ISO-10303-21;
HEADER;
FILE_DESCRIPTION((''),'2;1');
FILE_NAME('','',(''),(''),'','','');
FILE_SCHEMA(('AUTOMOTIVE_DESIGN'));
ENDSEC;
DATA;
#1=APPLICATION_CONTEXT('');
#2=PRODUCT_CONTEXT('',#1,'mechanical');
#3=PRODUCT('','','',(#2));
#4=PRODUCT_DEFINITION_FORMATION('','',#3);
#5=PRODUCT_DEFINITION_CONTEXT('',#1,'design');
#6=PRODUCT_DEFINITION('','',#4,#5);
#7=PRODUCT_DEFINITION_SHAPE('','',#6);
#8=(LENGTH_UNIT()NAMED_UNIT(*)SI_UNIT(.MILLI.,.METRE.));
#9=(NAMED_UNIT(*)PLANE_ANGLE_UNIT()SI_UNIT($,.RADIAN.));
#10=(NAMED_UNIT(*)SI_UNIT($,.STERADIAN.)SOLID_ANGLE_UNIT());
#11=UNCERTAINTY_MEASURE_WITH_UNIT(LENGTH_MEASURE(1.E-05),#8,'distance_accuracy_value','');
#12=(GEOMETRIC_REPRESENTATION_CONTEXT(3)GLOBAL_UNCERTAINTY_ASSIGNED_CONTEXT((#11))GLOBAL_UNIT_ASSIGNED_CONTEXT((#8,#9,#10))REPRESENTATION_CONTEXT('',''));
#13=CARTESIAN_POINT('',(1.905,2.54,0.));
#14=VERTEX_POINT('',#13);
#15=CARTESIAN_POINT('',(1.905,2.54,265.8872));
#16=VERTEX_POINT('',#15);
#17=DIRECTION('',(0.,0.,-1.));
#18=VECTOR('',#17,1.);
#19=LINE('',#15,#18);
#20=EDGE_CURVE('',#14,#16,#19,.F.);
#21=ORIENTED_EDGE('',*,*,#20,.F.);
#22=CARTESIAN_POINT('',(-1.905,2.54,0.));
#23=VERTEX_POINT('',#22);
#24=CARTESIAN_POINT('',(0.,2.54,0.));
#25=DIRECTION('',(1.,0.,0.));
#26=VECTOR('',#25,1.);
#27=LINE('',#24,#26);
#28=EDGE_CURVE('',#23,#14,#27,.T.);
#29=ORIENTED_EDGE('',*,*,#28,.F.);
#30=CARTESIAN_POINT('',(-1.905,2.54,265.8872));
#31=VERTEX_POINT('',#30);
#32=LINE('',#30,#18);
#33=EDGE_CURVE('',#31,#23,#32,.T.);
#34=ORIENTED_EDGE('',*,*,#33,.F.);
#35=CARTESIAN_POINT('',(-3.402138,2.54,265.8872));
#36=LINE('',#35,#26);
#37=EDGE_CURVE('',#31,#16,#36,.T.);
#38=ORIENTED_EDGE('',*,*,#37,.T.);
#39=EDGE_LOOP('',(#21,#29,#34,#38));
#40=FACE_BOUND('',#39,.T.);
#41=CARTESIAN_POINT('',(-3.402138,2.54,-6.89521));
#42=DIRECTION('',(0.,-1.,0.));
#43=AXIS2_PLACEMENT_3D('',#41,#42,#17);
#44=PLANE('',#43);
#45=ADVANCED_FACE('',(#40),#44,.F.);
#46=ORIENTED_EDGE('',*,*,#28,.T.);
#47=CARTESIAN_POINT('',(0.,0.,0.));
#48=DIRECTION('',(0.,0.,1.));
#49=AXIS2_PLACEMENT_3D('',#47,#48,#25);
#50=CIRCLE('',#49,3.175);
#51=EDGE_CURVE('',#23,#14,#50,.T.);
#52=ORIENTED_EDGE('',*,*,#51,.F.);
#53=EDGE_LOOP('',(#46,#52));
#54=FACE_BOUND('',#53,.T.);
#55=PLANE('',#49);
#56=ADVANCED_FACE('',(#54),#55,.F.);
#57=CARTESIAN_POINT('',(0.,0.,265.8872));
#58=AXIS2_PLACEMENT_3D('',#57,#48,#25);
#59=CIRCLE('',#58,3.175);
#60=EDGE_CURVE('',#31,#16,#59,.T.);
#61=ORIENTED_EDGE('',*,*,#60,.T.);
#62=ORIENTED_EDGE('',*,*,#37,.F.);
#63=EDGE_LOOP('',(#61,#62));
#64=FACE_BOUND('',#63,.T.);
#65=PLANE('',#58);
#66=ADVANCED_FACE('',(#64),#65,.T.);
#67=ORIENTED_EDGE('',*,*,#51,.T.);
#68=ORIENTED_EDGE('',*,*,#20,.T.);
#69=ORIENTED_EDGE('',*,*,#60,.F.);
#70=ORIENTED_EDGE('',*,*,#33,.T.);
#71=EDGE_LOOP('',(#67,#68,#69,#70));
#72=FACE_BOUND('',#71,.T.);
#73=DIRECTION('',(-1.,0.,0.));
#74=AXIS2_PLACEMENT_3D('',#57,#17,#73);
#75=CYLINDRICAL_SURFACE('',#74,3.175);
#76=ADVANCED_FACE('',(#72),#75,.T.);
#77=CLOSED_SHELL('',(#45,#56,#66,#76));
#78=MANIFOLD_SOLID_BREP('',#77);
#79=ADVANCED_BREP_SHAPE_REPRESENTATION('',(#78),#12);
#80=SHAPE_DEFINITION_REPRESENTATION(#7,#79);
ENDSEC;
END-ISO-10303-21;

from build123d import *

# Parameters (mm, degrees)
SKETCH2_R           = 3.175
BOSS_EXTRUDE1_DEPTH = 265.8872
SKETCH3_W           = 6.865908088
SKETCH3_H           = 0.635
CUT_EXTRUDE1_DEPTH  = 265.8872


with BuildPart() as part:
    # Sketch2 → Boss-Extrude1 (new body)
    with BuildSketch(Plane.XY):
        Circle(SKETCH2_R)
    extrude(amount=BOSS_EXTRUDE1_DEPTH)

    # Sketch3 → Cut-Extrude1 (cut)
    with BuildSketch(Plane.XY.offset(265.8872)):
        with Locations((0.030816464, 2.8575)):
            Rectangle(SKETCH3_W, SKETCH3_H)
    extrude(amount=-CUT_EXTRUDE1_DEPTH, mode=Mode.SUBTRACT)


solid = part.part
